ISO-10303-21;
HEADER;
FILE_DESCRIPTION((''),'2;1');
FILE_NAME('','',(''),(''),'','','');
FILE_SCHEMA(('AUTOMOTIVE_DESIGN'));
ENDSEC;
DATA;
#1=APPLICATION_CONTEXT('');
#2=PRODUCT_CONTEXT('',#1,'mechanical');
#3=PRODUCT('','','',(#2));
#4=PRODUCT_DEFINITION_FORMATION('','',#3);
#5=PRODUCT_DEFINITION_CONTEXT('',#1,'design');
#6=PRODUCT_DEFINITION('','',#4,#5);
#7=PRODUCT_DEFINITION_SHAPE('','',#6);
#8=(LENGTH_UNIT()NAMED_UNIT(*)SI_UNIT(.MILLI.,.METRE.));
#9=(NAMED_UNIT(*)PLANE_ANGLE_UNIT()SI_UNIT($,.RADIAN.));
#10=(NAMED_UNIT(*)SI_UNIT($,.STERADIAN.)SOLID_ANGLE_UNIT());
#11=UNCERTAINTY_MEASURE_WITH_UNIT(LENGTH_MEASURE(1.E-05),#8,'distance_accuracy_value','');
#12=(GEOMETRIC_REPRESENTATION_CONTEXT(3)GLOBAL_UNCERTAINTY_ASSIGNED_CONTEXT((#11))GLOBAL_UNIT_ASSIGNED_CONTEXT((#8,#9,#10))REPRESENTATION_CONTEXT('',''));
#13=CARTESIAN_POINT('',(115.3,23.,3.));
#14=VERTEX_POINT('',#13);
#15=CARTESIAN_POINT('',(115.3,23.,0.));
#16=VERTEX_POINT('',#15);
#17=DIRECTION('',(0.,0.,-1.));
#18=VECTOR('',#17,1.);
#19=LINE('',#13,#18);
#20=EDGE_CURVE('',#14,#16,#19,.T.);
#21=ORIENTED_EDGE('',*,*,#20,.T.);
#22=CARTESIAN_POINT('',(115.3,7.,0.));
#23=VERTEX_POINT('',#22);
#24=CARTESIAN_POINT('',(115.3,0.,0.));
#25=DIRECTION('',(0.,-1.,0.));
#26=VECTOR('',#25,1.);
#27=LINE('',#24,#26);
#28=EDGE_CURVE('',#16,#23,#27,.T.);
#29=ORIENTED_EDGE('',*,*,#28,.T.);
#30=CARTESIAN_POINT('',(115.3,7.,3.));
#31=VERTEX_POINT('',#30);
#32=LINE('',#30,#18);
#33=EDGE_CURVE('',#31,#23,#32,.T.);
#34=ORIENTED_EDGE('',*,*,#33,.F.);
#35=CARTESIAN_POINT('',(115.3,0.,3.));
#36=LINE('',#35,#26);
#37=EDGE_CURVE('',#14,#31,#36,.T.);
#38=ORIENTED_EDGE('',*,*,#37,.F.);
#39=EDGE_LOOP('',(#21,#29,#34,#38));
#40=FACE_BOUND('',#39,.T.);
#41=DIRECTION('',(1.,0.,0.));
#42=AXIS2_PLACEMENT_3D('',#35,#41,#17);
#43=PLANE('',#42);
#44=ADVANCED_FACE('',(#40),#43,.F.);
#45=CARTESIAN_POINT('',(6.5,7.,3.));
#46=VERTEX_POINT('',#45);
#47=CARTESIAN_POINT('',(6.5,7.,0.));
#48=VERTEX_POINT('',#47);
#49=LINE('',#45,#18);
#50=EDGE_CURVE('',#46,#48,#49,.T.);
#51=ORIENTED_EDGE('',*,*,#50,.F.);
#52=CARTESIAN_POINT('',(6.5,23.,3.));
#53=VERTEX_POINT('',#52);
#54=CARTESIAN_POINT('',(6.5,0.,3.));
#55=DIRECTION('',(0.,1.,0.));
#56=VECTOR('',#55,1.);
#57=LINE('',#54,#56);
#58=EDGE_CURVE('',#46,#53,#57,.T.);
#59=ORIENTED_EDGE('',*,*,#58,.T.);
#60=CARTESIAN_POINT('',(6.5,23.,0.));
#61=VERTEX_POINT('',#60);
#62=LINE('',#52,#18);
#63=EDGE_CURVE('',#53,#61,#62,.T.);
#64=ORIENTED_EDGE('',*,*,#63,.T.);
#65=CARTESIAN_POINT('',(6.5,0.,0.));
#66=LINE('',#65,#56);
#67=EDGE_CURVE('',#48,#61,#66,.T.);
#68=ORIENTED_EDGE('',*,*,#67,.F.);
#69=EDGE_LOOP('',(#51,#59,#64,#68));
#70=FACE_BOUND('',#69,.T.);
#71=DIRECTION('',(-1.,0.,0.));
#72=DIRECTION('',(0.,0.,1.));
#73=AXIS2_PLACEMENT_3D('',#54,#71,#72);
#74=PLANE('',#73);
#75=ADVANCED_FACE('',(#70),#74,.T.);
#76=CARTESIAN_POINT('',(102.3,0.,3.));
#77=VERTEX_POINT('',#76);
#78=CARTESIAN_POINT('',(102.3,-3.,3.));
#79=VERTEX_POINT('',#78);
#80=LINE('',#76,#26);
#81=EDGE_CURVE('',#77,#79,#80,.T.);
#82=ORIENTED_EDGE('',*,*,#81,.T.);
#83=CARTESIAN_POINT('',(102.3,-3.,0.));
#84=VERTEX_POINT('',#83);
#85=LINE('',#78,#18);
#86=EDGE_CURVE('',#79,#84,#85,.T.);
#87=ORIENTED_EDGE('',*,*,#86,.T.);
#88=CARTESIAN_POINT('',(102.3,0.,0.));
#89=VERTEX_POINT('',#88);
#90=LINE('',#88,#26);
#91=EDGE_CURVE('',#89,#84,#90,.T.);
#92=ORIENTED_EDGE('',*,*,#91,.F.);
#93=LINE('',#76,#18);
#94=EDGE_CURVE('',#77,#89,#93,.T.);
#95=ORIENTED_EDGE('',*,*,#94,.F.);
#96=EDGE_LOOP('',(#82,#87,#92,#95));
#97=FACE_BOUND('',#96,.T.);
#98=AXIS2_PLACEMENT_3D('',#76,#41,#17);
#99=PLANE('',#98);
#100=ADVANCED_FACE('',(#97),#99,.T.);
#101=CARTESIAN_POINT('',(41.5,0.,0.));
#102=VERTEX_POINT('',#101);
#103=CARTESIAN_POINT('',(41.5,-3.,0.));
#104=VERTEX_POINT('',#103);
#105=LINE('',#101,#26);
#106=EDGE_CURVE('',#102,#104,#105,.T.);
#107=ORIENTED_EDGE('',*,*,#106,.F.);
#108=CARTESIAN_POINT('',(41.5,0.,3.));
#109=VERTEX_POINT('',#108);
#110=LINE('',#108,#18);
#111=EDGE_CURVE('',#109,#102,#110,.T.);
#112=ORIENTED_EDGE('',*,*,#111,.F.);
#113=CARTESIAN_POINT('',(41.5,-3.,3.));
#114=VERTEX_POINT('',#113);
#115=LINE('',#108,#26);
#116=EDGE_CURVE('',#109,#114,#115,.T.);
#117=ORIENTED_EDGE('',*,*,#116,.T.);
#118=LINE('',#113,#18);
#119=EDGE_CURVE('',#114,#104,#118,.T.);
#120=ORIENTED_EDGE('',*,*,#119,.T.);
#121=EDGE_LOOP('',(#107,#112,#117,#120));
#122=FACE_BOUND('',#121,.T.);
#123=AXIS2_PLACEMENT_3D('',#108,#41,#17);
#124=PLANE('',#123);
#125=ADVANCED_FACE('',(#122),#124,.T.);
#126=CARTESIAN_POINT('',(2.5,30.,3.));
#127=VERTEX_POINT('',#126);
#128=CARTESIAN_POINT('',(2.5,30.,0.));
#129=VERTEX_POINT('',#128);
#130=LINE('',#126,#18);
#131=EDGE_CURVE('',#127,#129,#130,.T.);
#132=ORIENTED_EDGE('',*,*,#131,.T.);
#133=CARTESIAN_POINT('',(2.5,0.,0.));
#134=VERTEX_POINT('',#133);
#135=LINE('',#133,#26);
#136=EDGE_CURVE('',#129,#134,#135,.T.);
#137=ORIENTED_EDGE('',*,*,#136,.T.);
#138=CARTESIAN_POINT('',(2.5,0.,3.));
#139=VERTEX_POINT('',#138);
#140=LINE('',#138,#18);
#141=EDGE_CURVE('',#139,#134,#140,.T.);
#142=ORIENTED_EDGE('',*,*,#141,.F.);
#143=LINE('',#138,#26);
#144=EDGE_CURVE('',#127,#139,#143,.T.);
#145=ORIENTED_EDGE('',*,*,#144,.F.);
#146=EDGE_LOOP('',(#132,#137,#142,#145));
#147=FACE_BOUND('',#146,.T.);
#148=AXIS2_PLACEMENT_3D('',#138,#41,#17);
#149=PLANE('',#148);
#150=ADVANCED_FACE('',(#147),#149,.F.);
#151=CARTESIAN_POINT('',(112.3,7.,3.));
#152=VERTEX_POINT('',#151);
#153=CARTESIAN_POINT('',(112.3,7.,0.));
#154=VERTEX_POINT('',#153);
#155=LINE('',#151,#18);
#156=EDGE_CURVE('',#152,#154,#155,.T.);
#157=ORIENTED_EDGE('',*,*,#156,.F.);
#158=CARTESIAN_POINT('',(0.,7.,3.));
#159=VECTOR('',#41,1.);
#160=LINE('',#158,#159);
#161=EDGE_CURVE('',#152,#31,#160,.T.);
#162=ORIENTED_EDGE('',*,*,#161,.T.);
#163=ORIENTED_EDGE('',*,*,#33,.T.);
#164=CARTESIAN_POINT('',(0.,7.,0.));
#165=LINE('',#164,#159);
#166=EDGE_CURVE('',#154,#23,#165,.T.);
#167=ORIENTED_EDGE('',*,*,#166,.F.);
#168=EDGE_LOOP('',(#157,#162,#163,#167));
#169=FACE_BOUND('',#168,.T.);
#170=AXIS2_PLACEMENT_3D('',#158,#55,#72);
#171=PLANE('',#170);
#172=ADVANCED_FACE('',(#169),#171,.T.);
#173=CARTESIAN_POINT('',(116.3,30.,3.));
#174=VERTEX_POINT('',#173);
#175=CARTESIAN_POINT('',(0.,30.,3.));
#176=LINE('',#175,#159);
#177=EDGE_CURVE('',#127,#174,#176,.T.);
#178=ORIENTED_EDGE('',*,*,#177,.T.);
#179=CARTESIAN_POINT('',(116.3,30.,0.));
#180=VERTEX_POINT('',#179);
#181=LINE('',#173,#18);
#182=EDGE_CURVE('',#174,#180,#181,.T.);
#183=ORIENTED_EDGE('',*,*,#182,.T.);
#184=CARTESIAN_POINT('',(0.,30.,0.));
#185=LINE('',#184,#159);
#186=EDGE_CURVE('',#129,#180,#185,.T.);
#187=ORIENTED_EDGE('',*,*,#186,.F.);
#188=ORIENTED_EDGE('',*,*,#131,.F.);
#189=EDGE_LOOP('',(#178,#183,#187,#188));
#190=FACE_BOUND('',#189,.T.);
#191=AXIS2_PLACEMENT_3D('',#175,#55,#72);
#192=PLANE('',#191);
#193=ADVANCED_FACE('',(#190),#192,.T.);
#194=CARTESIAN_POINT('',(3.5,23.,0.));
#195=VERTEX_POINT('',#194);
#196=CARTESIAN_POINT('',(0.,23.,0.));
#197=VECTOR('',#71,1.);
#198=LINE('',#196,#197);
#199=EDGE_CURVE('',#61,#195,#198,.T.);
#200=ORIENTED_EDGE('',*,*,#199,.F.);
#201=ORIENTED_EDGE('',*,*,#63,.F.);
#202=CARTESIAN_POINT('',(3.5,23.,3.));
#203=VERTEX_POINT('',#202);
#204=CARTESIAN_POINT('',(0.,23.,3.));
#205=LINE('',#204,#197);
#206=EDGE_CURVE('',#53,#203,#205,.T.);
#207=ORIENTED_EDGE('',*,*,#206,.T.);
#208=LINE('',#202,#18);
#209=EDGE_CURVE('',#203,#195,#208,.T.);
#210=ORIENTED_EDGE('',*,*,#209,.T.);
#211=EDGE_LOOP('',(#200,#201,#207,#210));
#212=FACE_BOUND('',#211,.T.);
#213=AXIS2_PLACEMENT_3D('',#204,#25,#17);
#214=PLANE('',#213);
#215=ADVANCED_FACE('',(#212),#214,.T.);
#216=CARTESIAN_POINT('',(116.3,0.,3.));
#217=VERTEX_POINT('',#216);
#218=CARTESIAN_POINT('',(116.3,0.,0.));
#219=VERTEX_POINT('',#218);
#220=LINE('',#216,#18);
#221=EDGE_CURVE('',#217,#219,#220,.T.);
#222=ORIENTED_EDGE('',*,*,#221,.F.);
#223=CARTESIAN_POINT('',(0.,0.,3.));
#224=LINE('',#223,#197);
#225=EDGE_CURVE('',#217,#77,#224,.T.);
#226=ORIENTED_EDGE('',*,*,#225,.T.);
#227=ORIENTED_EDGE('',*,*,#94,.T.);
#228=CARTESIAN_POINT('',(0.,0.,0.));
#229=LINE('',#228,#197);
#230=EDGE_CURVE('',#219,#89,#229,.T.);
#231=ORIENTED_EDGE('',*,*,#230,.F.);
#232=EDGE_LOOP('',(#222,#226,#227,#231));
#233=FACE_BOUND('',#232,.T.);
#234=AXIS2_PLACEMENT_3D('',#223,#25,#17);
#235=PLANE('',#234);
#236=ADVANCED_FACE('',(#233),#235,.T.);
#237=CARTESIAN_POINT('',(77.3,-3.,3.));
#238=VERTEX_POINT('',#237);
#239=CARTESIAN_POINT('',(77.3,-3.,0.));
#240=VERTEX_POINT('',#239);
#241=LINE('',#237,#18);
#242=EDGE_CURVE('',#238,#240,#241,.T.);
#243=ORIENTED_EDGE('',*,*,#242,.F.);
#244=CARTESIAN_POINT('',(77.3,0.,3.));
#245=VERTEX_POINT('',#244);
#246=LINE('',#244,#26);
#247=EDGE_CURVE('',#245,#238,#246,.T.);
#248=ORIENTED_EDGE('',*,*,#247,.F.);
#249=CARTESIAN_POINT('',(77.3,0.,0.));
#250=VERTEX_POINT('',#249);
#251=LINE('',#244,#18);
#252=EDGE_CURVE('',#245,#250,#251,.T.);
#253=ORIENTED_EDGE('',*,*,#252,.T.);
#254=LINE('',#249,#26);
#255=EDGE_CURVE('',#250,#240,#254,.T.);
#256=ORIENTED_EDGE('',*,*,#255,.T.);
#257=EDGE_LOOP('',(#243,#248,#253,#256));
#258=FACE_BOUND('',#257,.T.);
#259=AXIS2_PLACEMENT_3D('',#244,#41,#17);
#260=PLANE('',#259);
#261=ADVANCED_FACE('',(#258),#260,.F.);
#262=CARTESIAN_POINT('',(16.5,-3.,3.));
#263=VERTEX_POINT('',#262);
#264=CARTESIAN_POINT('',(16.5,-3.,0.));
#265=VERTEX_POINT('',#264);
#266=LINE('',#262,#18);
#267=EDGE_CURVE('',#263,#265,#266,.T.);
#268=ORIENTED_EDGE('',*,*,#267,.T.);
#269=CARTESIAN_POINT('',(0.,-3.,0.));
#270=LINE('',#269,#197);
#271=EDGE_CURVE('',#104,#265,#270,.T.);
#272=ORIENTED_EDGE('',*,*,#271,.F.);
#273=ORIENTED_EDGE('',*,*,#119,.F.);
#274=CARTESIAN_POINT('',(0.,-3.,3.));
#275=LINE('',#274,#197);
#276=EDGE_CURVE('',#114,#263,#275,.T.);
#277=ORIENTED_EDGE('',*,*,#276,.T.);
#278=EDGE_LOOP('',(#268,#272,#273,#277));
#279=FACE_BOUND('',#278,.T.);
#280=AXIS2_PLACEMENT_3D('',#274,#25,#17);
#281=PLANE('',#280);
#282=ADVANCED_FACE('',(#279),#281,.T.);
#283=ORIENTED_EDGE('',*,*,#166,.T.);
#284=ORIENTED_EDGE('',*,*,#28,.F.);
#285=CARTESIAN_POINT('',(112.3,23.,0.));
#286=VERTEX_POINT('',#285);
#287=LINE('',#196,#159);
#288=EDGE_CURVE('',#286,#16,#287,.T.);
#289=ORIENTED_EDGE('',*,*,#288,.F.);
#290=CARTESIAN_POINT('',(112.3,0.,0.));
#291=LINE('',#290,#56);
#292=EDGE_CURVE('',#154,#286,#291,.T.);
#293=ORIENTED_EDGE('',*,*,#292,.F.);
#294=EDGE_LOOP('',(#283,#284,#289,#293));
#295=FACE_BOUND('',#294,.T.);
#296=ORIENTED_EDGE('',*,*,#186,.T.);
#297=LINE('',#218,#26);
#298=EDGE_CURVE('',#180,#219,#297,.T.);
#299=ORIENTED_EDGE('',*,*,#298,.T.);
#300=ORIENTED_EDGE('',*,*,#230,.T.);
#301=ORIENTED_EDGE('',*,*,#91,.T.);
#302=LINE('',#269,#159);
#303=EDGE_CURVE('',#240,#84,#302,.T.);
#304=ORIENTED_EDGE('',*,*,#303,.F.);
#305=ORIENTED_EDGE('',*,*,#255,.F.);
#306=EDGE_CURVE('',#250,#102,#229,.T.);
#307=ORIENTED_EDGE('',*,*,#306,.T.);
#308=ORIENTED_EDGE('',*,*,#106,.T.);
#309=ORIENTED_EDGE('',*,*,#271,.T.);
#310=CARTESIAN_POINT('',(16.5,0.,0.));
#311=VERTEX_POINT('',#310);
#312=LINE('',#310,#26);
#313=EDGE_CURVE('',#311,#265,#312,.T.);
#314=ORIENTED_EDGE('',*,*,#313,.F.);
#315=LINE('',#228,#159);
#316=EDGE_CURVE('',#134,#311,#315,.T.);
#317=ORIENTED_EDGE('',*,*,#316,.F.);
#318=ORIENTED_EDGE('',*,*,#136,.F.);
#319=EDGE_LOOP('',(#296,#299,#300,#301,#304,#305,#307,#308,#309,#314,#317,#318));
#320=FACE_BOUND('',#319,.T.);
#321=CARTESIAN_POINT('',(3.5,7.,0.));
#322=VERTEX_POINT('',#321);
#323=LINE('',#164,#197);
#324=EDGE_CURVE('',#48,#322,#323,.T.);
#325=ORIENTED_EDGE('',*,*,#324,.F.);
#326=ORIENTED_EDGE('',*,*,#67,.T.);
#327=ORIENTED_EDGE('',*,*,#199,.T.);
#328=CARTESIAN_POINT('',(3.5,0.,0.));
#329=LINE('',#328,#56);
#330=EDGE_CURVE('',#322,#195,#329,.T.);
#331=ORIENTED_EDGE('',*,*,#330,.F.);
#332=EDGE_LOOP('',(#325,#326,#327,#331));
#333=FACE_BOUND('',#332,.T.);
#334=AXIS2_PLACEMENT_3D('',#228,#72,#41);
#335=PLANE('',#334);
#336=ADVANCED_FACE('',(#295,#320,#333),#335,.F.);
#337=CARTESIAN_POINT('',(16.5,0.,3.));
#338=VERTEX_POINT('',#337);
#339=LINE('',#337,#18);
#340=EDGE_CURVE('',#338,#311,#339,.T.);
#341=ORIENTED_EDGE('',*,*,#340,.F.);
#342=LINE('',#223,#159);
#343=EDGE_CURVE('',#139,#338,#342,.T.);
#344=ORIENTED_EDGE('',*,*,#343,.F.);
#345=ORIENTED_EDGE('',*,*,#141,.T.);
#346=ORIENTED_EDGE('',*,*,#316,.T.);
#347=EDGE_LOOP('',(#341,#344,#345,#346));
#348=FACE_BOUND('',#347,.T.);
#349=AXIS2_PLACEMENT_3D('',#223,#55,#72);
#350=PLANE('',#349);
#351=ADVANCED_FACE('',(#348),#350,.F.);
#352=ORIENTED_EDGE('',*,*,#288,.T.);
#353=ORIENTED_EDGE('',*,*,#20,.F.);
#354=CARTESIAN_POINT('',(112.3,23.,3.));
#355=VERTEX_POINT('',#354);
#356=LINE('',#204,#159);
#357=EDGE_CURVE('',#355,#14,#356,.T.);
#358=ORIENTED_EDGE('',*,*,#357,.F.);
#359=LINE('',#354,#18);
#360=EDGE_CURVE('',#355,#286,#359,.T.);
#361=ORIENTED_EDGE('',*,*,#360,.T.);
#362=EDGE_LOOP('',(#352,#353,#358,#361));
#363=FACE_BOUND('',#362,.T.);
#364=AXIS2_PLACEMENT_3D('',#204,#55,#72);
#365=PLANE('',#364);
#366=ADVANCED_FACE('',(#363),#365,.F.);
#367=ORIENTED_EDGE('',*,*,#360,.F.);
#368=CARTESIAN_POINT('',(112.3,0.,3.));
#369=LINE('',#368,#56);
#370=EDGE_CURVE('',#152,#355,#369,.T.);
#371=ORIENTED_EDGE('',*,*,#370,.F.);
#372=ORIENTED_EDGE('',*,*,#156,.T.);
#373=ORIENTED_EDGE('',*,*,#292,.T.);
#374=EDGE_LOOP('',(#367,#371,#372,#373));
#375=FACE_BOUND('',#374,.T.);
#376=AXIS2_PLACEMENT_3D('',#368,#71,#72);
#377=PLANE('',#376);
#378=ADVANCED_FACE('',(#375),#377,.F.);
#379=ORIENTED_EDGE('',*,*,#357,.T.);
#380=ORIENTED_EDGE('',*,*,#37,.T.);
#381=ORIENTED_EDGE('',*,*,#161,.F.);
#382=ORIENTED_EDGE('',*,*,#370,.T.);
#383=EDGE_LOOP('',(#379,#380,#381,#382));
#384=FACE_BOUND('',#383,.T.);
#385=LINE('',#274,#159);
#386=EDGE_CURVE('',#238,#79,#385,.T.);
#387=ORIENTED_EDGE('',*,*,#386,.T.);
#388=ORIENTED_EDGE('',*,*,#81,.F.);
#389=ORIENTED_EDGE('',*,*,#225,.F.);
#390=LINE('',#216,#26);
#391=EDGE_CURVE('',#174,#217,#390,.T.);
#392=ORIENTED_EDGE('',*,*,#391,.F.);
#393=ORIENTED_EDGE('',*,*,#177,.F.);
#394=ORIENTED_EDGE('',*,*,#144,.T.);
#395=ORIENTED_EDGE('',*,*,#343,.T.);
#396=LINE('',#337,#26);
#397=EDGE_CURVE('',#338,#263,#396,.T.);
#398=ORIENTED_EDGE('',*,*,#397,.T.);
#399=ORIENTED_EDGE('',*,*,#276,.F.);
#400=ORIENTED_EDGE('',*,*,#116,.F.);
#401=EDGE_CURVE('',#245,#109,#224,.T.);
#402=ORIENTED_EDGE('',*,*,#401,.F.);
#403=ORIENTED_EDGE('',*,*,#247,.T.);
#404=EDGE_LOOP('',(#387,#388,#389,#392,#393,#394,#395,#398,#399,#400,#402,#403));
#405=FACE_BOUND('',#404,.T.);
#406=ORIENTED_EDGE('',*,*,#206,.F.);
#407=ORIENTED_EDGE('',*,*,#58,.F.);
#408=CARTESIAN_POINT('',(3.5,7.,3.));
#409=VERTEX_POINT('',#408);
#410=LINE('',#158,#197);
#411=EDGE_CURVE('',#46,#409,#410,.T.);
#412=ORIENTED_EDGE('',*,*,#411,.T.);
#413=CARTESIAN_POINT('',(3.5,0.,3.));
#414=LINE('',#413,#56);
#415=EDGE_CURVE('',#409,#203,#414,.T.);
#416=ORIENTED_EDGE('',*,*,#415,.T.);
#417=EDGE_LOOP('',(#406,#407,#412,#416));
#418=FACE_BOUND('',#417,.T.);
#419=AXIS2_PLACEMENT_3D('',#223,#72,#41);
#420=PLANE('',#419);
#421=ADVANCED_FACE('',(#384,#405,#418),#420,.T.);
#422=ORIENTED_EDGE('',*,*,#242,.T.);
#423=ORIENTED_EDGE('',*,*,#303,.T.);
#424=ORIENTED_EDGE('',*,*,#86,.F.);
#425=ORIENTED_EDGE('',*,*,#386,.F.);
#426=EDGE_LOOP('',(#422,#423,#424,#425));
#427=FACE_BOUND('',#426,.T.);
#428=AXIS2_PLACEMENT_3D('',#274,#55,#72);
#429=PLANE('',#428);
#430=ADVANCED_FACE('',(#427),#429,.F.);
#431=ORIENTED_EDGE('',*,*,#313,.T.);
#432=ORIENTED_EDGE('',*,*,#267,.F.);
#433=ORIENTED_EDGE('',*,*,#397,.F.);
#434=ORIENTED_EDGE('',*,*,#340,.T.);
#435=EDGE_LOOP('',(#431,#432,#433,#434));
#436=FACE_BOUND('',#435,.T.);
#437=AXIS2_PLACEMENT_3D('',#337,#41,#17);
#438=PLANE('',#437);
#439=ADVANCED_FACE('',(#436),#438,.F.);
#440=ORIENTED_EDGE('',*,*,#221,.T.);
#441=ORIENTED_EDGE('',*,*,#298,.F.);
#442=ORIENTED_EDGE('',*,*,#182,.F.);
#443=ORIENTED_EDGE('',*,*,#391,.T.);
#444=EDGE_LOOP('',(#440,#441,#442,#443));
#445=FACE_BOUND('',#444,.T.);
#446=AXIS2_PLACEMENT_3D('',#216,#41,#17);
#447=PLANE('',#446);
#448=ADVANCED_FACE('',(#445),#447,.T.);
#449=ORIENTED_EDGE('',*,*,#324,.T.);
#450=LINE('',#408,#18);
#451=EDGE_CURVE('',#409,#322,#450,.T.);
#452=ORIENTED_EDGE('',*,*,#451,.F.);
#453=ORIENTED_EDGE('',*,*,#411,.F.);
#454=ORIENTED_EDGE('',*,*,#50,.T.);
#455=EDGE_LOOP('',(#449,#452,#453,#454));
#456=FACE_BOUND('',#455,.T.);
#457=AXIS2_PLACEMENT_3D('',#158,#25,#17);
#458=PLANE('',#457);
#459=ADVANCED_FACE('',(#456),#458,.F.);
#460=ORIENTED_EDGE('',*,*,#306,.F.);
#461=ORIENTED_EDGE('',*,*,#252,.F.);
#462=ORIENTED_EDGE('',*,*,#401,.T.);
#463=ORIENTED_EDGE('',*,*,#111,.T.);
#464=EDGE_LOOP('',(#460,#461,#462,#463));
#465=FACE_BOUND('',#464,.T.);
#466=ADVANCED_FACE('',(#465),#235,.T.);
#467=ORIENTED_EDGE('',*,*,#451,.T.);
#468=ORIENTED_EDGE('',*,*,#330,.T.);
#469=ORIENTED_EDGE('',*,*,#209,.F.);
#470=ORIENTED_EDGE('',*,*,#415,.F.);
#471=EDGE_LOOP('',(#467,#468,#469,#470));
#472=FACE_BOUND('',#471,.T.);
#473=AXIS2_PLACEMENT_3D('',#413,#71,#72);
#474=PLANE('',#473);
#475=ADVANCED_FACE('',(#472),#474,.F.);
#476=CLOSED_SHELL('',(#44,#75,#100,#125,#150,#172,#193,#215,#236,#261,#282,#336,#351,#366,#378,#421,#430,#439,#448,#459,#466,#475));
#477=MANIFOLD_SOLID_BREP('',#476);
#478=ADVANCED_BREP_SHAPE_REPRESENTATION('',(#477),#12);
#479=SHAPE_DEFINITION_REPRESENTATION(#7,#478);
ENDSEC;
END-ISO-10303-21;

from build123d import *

# Parameters (mm, degrees)
SKETCH_2_W      = 3
SKETCH_2_H      = 16
EXTRUDE_1_DEPTH = 3


with BuildPart() as part:
    # 草图2 → 凸台-拉伸1 (new body)
    with BuildSketch(Plane.XY):
        Polygon((41.5, 0), (59.4, 0), (77.3, 0), (77.3, -3), (102.3, -3), (102.3, 0), (112.3, 0), (116.3, 0), (116.3, 30), (112.3, 30), (6.5, 30), (2.5, 30), (2.5, 0), (6.5, 0), (16.5, 0), (16.5, -3), (41.5, -3), align=None)
        with Locations((5, 15)):
            Rectangle(SKETCH_2_W, SKETCH_2_H, mode=Mode.SUBTRACT)
        Polygon((112.3, 15), (112.3, 23), (115.3, 23), (115.3, 7), (112.3, 7), align=None, mode=Mode.SUBTRACT)
    extrude(amount=EXTRUDE_1_DEPTH)


solid = part.part
